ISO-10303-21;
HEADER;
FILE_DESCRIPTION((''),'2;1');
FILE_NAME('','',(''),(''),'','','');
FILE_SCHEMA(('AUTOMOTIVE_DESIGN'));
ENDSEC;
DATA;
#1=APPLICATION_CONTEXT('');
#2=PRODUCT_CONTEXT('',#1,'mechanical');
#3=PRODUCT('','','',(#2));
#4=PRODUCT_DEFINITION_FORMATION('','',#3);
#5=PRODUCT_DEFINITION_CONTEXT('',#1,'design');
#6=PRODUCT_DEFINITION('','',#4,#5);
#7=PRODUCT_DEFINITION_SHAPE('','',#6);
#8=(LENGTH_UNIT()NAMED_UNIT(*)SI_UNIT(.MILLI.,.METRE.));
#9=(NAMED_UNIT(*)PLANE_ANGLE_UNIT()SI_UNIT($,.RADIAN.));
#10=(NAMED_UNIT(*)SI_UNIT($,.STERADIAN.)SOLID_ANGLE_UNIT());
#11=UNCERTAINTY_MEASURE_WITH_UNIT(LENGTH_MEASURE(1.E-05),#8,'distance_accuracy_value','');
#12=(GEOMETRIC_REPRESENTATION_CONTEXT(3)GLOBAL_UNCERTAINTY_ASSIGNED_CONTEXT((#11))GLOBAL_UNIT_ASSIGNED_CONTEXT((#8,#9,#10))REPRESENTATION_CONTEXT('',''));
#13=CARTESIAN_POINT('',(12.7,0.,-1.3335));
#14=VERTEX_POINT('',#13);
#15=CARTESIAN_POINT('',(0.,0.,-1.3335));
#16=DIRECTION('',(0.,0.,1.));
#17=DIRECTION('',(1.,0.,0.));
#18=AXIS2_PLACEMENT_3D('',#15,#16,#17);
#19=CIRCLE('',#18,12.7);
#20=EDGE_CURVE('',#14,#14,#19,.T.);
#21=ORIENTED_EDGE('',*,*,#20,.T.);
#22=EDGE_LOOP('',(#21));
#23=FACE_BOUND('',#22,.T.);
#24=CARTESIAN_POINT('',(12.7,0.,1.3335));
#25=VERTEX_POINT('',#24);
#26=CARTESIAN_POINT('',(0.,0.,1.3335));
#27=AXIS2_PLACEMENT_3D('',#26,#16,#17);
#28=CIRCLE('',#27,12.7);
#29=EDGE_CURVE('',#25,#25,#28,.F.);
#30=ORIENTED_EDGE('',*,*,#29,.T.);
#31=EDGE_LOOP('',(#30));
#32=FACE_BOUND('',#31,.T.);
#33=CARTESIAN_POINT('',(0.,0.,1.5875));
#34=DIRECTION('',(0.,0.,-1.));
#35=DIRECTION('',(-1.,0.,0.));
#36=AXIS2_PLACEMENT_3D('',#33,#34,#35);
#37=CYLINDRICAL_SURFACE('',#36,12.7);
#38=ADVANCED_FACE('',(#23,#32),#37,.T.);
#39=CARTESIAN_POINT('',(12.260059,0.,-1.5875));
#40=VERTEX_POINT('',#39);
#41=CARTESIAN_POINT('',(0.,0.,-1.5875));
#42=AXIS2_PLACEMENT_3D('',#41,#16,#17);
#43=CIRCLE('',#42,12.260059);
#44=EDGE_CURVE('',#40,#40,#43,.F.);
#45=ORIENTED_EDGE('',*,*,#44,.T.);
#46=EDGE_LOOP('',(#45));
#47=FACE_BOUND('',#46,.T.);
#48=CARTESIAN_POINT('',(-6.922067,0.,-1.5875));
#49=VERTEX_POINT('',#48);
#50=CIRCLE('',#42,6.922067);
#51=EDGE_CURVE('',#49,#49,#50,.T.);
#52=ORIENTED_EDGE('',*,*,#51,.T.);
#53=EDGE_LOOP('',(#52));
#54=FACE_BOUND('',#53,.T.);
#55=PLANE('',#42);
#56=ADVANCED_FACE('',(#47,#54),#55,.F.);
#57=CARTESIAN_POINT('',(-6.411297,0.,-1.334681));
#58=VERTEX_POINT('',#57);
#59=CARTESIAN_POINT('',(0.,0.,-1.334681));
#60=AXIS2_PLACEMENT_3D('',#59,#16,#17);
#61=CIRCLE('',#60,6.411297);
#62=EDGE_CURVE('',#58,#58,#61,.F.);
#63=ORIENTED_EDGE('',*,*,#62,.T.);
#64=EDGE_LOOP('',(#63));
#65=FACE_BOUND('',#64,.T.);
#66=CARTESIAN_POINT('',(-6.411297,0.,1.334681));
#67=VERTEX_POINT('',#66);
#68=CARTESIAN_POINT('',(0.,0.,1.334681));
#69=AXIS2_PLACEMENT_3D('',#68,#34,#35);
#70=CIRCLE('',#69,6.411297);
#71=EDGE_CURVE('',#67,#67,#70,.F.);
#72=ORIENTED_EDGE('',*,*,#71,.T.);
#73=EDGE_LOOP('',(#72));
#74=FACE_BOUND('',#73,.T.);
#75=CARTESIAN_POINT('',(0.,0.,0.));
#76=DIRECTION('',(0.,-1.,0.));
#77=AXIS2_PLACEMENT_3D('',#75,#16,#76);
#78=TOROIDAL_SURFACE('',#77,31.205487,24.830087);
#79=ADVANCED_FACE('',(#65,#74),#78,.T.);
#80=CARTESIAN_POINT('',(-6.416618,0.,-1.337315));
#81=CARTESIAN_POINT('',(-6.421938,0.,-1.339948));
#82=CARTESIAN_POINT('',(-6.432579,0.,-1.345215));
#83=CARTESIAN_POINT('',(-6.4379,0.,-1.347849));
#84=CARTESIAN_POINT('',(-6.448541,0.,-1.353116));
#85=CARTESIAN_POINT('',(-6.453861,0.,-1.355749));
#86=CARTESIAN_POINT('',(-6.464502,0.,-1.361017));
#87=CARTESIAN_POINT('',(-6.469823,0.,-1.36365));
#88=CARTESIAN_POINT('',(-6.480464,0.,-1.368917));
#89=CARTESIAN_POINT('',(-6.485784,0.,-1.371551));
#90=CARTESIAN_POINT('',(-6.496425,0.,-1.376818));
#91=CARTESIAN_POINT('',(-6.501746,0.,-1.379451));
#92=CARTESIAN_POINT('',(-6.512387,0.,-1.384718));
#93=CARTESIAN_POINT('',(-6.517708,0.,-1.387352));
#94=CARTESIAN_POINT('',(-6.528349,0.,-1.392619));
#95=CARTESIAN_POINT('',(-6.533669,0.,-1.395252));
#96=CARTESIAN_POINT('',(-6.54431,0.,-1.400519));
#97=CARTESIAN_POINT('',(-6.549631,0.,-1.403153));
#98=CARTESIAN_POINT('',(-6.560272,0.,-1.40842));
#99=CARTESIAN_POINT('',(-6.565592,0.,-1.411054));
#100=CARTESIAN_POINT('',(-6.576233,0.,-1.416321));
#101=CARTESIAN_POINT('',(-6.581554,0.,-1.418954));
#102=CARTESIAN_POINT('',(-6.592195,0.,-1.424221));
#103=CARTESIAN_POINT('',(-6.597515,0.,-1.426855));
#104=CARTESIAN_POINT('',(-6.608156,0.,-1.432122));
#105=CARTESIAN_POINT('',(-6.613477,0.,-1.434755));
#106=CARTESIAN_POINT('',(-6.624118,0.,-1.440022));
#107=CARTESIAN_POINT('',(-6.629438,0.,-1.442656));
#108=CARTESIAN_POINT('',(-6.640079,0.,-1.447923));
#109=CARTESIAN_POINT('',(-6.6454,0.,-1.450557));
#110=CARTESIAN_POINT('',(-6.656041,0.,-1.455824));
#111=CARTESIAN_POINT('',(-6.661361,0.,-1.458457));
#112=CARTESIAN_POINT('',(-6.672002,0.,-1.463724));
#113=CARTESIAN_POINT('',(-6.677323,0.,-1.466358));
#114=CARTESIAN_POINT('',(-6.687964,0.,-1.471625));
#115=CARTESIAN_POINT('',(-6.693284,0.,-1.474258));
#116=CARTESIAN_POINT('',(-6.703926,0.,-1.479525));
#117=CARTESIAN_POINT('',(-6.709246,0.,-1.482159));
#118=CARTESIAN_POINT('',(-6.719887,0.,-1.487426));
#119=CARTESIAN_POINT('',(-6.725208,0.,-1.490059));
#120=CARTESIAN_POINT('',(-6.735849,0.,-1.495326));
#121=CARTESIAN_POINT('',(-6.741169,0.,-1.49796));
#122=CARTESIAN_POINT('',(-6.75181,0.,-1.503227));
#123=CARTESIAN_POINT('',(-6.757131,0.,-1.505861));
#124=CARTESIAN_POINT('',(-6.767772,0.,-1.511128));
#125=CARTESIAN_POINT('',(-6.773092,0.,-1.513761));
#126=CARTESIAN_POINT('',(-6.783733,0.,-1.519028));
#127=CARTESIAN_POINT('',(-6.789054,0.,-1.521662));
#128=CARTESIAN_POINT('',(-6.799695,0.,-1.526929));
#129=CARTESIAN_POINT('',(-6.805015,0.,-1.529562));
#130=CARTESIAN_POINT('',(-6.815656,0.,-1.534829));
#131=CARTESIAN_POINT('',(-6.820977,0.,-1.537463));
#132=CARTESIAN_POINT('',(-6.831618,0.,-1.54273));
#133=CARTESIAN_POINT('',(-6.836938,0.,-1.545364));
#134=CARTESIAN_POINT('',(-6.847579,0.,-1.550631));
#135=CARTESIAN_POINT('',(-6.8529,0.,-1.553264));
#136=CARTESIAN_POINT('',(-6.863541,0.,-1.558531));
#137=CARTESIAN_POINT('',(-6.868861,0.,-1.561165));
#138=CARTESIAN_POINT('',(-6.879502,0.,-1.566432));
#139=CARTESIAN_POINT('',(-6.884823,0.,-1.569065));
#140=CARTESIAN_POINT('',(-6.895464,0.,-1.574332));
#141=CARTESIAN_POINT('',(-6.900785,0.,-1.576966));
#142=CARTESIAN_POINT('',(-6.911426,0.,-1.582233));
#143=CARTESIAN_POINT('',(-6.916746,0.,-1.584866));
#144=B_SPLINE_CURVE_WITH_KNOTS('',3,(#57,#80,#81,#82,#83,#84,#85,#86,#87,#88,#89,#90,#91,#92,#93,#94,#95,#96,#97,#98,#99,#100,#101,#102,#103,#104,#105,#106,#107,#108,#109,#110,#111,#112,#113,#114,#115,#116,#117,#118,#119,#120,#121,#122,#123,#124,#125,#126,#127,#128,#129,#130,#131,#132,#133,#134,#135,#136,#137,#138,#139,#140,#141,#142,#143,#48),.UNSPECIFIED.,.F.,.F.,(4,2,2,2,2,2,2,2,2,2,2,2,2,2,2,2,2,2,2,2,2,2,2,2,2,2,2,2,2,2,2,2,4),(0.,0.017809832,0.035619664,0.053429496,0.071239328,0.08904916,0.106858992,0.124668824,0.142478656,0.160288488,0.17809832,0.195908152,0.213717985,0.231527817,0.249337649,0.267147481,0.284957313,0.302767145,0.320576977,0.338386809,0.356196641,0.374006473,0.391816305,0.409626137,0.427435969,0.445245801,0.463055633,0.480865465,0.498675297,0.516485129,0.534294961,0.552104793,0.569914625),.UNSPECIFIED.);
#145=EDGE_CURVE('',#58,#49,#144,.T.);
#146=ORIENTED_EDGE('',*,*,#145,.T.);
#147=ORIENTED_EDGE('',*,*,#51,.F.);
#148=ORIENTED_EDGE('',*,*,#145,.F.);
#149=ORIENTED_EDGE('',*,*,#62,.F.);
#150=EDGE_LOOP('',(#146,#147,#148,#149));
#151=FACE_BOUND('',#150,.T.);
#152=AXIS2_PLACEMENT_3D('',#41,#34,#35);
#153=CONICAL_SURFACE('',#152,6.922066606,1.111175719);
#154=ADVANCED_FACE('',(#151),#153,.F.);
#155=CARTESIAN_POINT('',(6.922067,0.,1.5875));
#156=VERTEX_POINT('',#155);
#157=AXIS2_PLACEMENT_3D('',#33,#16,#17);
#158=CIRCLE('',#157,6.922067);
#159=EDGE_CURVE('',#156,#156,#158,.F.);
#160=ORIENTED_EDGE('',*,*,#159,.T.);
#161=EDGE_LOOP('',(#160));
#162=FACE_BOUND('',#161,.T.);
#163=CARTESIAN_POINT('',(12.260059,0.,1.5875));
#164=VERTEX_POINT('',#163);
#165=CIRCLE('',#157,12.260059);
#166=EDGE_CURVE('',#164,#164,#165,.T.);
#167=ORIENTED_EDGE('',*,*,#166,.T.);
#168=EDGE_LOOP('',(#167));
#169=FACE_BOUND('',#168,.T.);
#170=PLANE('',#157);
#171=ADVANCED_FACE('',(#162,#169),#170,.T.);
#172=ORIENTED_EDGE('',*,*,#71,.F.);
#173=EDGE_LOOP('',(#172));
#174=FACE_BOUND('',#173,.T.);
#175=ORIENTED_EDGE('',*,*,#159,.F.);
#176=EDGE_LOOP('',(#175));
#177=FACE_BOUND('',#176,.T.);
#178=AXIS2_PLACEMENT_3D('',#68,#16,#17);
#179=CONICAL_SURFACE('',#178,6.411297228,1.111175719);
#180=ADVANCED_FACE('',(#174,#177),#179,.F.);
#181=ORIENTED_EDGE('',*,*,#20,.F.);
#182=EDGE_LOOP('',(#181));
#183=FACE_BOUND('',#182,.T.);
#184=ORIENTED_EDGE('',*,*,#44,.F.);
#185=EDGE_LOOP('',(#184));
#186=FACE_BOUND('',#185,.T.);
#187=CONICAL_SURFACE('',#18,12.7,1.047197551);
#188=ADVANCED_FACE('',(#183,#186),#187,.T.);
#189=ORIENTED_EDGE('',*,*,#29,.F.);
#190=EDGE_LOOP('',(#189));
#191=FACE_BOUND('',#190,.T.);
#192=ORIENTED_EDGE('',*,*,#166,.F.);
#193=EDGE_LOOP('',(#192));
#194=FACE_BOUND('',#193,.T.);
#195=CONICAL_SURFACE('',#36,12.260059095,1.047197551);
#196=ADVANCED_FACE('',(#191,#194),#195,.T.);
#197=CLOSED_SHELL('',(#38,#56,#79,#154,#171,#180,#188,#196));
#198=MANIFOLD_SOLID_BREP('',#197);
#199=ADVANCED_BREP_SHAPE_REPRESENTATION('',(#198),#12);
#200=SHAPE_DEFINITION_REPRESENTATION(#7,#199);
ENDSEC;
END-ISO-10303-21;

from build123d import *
from OCP.BRepFilletAPI import BRepFilletAPI_MakeChamfer

# Parameters (mm, degrees)
BOSS_EXTRUDE1_DEPTH      = 1.5875
BOSS_EXTRUDE1_DEPTH_BACK = 1.5875
SKETCH3_R                = 12.7
SKETCH3_R_2              = 6.3754
CHAMFER1_SIZE            = 0.254
CHAMFER1_SIZE2           = 0.439940905
CHAMFER2_SIZE            = 0.254
CHAMFER2_SIZE2           = 0.495866606


with BuildPart() as part:
    # Sketch3 → Boss-Extrude1 (new, two sides: drawn at the far end of the back side and taken through both)
    with BuildSketch(Plane.XY.offset(-BOSS_EXTRUDE1_DEPTH_BACK)):
        Circle(SKETCH3_R)
        Circle(SKETCH3_R_2, mode=Mode.SUBTRACT)
    extrude(amount=BOSS_EXTRUDE1_DEPTH + BOSS_EXTRUDE1_DEPTH_BACK)

    # Chamfer1: one chamfer whose edges measure the first distance from different faces: ONE call of the kernel's chamfer builder (chamfer() names one face for all edges)
    chamfer1_edges_1 = [part.edges().sort_by_distance(p)[0] for p in [
        (-12.7, 0, 1.5875),
    ]]
    chamfer1_side_1 = [part.faces().sort_by_distance(p)[0] for p in [
        (-12.7, 0, 0.79375),
    ]]
    chamfer1_edges_2 = [part.edges().sort_by_distance(p)[0] for p in [
        (-12.7, 0, -1.5875),
    ]]
    chamfer1_side_2 = [part.faces().sort_by_distance(p)[0] for p in [
        (-12.7, 0, -0.79375),
    ]]
    chamfer1 = BRepFilletAPI_MakeChamfer(part.part.solid().wrapped)
    for e in chamfer1_edges_1:
        chamfer1.Add(CHAMFER1_SIZE, CHAMFER1_SIZE2, e.wrapped, chamfer1_side_1[0].wrapped)  # the first distance lies on this face
    for e in chamfer1_edges_2:
        chamfer1.Add(CHAMFER1_SIZE, CHAMFER1_SIZE2, e.wrapped, chamfer1_side_2[0].wrapped)  # the first distance lies on this face
    add(Compound.cast(chamfer1.Shape()), mode=Mode.REPLACE)

    # Sketch4 → Cut-Revolve1 (revolve, cut)
    with BuildSketch(Plane(origin=(0, 0, 0), x_dir=(0, 0, -1), z_dir=(1, 0, 0)), mode=Mode.PRIVATE) as cut_revolve1_sk:
        with BuildLine():
            Line((-1.5875, 6.3246), (-1.5875, 6.4262))
            ThreePointArc((-1.5875, 6.4262), (0, 6.3754), (1.5875, 6.4262))
            Line((1.5875, 6.4262), (1.5875, 6.3246))
            Line((1.5875, 6.3246), (-1.5875, 6.3246))
        make_face()
    revolve(cut_revolve1_sk.sketch.rotate(Axis((0, 0, 1.5875), (0, 0, -1)), 90), axis=Axis((0, 0, 1.5875), (0, 0, -1)), mode=Mode.SUBTRACT)

    # Chamfer2: one chamfer whose edges measure the first distance from different faces: ONE call of the kernel's chamfer builder (chamfer() names one face for all edges)
    chamfer2_edges_1 = [part.edges().sort_by_distance(p)[0] for p in [
        (-6.4262, 0, -1.5875),
    ]]
    chamfer2_side_1 = [part.faces().sort_by_distance(p)[0] for p in [
        (-6.38810325, 0, -0.794156296),
    ]]
    chamfer2_edges_2 = [part.edges().sort_by_distance(p)[0] for p in [
        (-6.4262, 0, 1.5875),
    ]]
    chamfer2_side_2 = [part.faces().sort_by_distance(p)[0] for p in [
        (-6.38810325, 0, 0.794156296),
    ]]
    chamfer2 = BRepFilletAPI_MakeChamfer(part.part.solid().wrapped)
    for e in chamfer2_edges_1:
        chamfer2.Add(CHAMFER2_SIZE, CHAMFER2_SIZE2, e.wrapped, chamfer2_side_1[0].wrapped)  # the first distance lies on this face
    for e in chamfer2_edges_2:
        chamfer2.Add(CHAMFER2_SIZE, CHAMFER2_SIZE2, e.wrapped, chamfer2_side_2[0].wrapped)  # the first distance lies on this face
    add(Compound.cast(chamfer2.Shape()), mode=Mode.REPLACE)


solid = part.part
